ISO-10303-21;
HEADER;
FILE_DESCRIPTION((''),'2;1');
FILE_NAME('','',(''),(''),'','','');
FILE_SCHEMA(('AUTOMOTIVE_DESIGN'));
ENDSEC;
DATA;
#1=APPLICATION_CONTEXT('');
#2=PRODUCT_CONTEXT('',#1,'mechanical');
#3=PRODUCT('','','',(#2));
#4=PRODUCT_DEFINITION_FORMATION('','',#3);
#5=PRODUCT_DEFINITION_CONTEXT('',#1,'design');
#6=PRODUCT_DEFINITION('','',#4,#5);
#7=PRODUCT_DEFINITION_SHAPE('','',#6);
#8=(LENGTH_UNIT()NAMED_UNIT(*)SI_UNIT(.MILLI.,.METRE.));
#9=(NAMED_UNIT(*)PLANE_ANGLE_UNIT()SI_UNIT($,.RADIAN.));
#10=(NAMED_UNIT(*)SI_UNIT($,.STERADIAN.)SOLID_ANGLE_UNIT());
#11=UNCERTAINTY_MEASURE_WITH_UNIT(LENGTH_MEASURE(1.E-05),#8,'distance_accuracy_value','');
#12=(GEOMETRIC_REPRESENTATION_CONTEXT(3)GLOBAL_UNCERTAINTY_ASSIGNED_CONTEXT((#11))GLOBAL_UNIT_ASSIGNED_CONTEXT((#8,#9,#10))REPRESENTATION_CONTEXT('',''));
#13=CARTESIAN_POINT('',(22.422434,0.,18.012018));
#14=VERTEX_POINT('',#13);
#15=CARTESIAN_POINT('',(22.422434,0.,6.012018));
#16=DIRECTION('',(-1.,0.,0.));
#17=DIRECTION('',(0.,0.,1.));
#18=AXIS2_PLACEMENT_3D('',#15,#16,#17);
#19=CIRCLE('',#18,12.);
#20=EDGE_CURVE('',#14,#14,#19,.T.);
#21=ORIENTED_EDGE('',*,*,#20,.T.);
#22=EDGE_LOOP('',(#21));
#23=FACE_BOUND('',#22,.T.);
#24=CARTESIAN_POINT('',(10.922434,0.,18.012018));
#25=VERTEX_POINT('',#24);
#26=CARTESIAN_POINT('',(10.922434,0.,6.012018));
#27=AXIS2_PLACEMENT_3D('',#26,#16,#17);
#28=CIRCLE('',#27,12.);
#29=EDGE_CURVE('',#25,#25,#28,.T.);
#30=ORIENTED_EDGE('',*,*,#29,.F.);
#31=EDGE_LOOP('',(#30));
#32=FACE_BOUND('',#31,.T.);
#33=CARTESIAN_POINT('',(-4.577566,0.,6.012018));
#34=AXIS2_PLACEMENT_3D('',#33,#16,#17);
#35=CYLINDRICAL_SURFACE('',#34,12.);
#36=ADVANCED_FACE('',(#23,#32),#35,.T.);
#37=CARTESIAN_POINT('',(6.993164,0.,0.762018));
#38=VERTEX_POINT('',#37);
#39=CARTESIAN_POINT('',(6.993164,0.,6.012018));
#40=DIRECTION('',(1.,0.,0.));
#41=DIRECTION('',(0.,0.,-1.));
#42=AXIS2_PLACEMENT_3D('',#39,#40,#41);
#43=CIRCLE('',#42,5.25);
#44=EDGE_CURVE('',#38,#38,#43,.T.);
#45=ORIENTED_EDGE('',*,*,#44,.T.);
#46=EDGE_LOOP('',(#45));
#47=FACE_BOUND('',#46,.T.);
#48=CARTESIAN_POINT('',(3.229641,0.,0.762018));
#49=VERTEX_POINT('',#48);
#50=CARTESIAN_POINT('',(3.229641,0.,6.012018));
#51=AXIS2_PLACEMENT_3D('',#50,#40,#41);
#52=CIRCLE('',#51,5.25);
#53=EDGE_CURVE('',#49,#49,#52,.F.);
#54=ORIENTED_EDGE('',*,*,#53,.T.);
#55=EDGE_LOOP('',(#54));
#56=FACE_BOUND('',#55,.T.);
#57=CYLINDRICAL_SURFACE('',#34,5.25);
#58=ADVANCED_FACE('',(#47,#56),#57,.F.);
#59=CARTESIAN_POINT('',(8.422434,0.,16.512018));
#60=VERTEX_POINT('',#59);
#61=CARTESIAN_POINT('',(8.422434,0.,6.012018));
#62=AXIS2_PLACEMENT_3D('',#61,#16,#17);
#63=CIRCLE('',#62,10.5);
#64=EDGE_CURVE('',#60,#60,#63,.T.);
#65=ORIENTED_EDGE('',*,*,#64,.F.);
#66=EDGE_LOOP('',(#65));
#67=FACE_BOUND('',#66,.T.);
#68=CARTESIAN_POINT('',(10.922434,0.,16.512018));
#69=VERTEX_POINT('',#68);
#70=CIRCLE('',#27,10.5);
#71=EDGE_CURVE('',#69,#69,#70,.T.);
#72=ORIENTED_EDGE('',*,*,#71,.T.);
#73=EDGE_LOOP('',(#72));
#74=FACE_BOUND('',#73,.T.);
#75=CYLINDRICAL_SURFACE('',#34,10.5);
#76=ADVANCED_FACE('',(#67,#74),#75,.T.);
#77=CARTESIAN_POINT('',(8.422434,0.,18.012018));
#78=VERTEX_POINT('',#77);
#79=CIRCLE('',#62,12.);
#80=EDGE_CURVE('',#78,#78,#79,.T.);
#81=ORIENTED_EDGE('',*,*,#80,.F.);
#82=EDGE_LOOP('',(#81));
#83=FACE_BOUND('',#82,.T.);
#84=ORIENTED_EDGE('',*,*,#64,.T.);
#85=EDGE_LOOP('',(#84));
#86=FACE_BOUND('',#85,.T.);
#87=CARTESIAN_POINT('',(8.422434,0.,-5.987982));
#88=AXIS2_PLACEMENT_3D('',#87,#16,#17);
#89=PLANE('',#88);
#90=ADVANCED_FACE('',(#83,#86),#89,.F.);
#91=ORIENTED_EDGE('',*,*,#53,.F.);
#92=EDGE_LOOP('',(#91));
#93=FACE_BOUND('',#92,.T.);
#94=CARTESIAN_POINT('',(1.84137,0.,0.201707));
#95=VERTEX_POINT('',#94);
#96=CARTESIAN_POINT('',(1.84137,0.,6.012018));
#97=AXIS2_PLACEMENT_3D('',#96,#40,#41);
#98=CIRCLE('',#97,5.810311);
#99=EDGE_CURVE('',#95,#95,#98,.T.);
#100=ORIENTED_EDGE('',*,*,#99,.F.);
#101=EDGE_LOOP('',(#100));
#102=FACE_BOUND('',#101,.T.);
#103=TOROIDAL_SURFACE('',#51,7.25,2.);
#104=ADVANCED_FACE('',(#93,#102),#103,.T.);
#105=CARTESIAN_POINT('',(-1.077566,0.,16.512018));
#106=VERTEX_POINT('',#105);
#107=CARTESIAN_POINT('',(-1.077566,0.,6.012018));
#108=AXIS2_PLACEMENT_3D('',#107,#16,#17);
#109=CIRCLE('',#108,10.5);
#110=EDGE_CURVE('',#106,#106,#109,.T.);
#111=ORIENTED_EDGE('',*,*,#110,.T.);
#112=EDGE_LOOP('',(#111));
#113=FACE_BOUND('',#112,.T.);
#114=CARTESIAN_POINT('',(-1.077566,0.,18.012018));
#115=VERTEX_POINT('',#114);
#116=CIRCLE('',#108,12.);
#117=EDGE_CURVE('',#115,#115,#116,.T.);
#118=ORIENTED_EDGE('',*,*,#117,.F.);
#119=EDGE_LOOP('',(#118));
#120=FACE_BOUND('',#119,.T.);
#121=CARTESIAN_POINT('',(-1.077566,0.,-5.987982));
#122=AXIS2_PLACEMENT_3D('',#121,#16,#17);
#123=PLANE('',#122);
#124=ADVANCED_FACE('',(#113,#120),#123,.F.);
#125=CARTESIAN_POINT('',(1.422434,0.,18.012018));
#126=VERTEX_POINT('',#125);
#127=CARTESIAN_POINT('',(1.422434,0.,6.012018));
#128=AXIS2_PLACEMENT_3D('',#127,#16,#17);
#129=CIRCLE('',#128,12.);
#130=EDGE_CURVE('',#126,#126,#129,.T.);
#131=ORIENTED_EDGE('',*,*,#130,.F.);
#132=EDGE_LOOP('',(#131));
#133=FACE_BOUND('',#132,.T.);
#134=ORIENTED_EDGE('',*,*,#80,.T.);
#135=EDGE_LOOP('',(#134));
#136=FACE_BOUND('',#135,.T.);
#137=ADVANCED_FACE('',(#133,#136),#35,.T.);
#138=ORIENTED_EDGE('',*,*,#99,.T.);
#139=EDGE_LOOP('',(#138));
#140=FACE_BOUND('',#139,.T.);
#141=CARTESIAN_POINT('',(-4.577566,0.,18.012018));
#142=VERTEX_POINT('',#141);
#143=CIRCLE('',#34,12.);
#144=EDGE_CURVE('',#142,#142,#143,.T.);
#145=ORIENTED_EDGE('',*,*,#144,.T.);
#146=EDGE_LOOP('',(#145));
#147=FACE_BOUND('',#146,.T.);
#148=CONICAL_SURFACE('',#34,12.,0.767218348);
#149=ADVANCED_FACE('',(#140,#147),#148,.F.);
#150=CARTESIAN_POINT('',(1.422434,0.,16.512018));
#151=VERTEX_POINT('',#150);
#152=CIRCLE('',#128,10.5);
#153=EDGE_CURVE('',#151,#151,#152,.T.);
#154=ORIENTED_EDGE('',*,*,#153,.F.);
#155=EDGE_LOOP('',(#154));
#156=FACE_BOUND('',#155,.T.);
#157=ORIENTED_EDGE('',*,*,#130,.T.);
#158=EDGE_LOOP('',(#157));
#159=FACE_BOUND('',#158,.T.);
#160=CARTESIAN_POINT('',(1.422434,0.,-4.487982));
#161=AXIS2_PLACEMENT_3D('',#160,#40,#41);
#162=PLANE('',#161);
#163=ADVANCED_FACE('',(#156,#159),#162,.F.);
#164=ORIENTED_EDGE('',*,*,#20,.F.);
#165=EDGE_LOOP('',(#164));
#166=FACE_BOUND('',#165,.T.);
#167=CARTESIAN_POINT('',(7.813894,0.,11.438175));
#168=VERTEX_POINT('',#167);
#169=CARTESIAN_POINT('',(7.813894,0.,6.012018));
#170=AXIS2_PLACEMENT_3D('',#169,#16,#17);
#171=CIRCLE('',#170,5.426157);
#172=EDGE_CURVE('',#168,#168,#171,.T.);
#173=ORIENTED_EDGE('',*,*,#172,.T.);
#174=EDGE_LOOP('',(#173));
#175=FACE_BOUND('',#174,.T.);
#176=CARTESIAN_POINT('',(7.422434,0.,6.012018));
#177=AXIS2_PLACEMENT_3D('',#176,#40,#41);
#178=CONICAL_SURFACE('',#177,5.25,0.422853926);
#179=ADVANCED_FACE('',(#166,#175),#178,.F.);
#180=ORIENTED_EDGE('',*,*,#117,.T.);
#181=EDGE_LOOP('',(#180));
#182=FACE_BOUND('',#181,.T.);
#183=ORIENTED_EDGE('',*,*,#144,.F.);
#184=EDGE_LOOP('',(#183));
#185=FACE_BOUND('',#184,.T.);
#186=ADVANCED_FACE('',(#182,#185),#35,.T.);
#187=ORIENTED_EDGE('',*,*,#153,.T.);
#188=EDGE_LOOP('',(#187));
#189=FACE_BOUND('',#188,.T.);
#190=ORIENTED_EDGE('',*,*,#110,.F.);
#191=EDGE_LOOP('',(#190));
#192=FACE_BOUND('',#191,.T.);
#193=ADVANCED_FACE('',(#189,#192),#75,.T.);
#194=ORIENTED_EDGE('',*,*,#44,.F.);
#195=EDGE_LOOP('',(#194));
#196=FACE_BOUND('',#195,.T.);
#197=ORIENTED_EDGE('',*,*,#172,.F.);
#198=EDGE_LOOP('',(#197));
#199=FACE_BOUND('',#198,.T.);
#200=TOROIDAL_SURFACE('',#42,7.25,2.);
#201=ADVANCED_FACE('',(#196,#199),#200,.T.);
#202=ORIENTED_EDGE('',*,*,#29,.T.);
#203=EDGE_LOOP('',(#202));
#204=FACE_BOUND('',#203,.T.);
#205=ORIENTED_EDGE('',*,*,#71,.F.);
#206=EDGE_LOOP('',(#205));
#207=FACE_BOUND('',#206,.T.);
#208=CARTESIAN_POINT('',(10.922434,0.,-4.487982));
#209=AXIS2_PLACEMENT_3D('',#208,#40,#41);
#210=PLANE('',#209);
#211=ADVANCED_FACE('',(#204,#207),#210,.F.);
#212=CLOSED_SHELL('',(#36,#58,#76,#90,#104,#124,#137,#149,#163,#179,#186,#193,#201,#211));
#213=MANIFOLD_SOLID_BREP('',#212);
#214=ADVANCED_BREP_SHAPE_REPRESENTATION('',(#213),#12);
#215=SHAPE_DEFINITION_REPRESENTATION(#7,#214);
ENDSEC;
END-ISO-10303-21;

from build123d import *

# Parameters (mm, degrees)
FILLET2_R = 2


with BuildPart() as part:
    # Sketch1 → Revolve1 (revolve)
    with BuildSketch(Plane(origin=(0, 0, 0), x_dir=(1, 0, 0), z_dir=(0, 1, 0))):
        Polygon((-4.577566402, 5.987981991), (-1.077566402, 5.987981991), (-1.077566402, 4.487981991), (1.422433598, 4.487981991), (1.422433598, 5.987981991), (8.422433598, 5.987981991), (8.422433598, 4.487981991), (10.922433598, 4.487981991), (10.922433598, 5.987981991), (22.422433598, 5.987981991), (7.422433598, -0.762018009), (2.422433598, -0.762018009), align=None)
    revolve(axis=Axis((-4.577566402, 0, 6.012018009), (1, 0, 0)))

    # Fillet2
    fillet2_edges = [part.edges().sort_by_distance(p)[0] for p in [
        (7.422433598, 0, 11.262018009),
        (2.422433598, 0, 11.262018009),
    ]]
    fillet(fillet2_edges, radius=FILLET2_R)


solid = part.part
